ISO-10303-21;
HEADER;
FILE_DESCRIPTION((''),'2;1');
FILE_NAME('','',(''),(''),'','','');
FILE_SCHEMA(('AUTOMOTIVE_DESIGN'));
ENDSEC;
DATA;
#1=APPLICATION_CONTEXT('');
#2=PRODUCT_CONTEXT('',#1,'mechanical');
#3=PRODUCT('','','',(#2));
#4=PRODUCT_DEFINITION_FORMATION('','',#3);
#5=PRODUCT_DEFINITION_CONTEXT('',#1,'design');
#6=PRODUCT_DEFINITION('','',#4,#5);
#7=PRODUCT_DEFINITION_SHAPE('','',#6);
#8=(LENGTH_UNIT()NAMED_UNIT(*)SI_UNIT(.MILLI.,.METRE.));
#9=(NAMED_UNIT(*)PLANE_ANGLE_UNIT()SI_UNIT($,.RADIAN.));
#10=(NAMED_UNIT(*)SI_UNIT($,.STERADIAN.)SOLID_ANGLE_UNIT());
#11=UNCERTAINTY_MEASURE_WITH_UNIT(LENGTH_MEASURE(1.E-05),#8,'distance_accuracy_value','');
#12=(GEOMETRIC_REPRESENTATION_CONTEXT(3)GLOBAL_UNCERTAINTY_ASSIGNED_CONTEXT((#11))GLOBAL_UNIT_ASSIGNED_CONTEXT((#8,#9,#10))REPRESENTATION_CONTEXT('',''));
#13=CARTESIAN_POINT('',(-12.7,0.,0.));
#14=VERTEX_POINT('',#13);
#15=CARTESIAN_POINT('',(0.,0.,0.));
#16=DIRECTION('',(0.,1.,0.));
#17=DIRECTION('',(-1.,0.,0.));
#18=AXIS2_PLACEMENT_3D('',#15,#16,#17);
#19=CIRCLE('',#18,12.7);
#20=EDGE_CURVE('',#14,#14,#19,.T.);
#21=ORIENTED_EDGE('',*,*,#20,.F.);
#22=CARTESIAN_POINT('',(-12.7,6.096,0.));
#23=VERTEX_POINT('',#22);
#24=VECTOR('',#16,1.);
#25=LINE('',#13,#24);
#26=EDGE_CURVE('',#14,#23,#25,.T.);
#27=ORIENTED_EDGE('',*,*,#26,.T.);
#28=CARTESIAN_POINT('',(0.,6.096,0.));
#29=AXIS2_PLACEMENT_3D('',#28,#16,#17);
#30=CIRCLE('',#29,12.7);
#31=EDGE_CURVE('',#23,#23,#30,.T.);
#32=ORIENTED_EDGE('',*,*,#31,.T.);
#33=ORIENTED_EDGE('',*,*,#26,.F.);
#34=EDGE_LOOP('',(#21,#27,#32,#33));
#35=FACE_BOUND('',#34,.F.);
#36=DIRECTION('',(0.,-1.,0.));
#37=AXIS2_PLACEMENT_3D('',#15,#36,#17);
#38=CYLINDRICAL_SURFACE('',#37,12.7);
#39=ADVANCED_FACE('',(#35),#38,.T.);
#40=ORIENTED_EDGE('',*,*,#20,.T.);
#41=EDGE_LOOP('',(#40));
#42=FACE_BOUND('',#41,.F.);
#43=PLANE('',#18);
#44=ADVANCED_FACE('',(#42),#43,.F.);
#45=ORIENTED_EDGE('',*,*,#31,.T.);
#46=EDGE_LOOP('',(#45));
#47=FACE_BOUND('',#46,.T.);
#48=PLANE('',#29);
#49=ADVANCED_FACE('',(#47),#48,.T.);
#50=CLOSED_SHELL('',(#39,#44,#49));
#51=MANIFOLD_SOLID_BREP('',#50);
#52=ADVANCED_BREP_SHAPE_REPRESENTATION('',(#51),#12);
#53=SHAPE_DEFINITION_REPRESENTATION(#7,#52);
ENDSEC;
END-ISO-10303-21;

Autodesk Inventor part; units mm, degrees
ref_plane "YZ Plane" through (0, 0, 0) normal (1, 0, 0) x (0, 1, 0)
ref_plane "XZ Plane" through (0, 0, 0) normal (0, 1, 0) x (-1, 0, 0)
ref_plane "XY Plane" through (0, 0, 0) normal (0, 0, 1) x (1, 0, 0)
sketch "Sketch1" plane through (0, 0, 0) normal (0, 1, 0) x (-1, 0, 0)
  circle A0 centre (0, 0) radius 12.7
  point P0 (-12.7, 0)
  point P1 (0, -12.7)
  dimension "d0" = 25.4
extrude "Extrusion1" add sketch "Sketch1" along normal blind 6.096
ref_plane "Work Plane11" through (0, 0, 0) normal (-1, 0, 0) x (0, -1, 0)
ref_plane "Work Plane12" through (0, 0, 0) normal (0, 0, 1) x (0, -1, 0)
ref_plane "Work Plane13" through (0, 6.096, 0) normal (-0.7071, 0.7071, 0) x (0, 0, 1)
ref_plane "Work Plane14" through (0, 6.096, 0) normal (-0.7071, -0.7071, 0) x (0, 0, 1)
ref_plane "Work Plane15" through (0, 0, 0) normal (0, 0, 1) x (0, -1, 0)
ref_plane "Work Plane16" through (0, 0, 0) normal (-1, 0, 0) x (0, -1, 0)
ref_plane "Work Plane20" through (0, 6.096, 0) normal (0, -0.7071, 0.7071) x (1, 0, 0)
ref_plane "Arbeitsebene21" through (0, 0, 0) normal (-0.7071, 0, 0.7071) x (0, -1, 0)
ref_plane "Work Plane23" through (0, 6.096, 0) normal (-0.9239, 0.3827, 0) x (0, 0, -1)
ref_plane "Work Plane22" through (0, 6.096, 0) normal (-0.9239, -0.3827, 0) x (0, 0, 1)
ref_plane "Work Plane30" through (0, 6.096, 0) normal (-0.9808, 0.1951, 0) x (0, 0, -1)
ref_plane "Work Plane31" through (0, 6.096, 0) normal (-0.9808, -0.1951, 0) x (0, 0, 1)
ref_plane "Work Plane32" through (0, 6.096, 0) normal (-0.9569, 0.2903, 0) x (0, 0, -1)
ref_plane "Work Plane33" through (0, 6.096, 0) normal (-0.9569, -0.2903, 0) x (0, 0, 1)
ref_plane "Work Plane36" through (0, 6.096, 0) normal (-0.3827, -0.9239, 0) x (0, 0, 1)
ref_plane "Work Plane38" through (0, 6.096, 0) normal (-0.2903, -0.9569, 0) x (0, 0, -1)
ref_plane "Work Plane37" through (0, 6.096, 0) normal (-0.1951, -0.9808, 0) x (0, 0, 1)
ref_plane "Work Plane39" through (0, 6.096, 0) normal (-0.3827, 0.9239, 0) x (0, 0, -1)
ref_plane "Work Plane41" through (0, 6.096, 0) normal (-0.2903, 0.9569, 0) x (0, 0, 1)
ref_plane "Work Plane40" through (0, 6.096, 0) normal (-0.1951, 0.9808, 0) x (0, 0, -1)
properties part number "1in_5mm_mir"
